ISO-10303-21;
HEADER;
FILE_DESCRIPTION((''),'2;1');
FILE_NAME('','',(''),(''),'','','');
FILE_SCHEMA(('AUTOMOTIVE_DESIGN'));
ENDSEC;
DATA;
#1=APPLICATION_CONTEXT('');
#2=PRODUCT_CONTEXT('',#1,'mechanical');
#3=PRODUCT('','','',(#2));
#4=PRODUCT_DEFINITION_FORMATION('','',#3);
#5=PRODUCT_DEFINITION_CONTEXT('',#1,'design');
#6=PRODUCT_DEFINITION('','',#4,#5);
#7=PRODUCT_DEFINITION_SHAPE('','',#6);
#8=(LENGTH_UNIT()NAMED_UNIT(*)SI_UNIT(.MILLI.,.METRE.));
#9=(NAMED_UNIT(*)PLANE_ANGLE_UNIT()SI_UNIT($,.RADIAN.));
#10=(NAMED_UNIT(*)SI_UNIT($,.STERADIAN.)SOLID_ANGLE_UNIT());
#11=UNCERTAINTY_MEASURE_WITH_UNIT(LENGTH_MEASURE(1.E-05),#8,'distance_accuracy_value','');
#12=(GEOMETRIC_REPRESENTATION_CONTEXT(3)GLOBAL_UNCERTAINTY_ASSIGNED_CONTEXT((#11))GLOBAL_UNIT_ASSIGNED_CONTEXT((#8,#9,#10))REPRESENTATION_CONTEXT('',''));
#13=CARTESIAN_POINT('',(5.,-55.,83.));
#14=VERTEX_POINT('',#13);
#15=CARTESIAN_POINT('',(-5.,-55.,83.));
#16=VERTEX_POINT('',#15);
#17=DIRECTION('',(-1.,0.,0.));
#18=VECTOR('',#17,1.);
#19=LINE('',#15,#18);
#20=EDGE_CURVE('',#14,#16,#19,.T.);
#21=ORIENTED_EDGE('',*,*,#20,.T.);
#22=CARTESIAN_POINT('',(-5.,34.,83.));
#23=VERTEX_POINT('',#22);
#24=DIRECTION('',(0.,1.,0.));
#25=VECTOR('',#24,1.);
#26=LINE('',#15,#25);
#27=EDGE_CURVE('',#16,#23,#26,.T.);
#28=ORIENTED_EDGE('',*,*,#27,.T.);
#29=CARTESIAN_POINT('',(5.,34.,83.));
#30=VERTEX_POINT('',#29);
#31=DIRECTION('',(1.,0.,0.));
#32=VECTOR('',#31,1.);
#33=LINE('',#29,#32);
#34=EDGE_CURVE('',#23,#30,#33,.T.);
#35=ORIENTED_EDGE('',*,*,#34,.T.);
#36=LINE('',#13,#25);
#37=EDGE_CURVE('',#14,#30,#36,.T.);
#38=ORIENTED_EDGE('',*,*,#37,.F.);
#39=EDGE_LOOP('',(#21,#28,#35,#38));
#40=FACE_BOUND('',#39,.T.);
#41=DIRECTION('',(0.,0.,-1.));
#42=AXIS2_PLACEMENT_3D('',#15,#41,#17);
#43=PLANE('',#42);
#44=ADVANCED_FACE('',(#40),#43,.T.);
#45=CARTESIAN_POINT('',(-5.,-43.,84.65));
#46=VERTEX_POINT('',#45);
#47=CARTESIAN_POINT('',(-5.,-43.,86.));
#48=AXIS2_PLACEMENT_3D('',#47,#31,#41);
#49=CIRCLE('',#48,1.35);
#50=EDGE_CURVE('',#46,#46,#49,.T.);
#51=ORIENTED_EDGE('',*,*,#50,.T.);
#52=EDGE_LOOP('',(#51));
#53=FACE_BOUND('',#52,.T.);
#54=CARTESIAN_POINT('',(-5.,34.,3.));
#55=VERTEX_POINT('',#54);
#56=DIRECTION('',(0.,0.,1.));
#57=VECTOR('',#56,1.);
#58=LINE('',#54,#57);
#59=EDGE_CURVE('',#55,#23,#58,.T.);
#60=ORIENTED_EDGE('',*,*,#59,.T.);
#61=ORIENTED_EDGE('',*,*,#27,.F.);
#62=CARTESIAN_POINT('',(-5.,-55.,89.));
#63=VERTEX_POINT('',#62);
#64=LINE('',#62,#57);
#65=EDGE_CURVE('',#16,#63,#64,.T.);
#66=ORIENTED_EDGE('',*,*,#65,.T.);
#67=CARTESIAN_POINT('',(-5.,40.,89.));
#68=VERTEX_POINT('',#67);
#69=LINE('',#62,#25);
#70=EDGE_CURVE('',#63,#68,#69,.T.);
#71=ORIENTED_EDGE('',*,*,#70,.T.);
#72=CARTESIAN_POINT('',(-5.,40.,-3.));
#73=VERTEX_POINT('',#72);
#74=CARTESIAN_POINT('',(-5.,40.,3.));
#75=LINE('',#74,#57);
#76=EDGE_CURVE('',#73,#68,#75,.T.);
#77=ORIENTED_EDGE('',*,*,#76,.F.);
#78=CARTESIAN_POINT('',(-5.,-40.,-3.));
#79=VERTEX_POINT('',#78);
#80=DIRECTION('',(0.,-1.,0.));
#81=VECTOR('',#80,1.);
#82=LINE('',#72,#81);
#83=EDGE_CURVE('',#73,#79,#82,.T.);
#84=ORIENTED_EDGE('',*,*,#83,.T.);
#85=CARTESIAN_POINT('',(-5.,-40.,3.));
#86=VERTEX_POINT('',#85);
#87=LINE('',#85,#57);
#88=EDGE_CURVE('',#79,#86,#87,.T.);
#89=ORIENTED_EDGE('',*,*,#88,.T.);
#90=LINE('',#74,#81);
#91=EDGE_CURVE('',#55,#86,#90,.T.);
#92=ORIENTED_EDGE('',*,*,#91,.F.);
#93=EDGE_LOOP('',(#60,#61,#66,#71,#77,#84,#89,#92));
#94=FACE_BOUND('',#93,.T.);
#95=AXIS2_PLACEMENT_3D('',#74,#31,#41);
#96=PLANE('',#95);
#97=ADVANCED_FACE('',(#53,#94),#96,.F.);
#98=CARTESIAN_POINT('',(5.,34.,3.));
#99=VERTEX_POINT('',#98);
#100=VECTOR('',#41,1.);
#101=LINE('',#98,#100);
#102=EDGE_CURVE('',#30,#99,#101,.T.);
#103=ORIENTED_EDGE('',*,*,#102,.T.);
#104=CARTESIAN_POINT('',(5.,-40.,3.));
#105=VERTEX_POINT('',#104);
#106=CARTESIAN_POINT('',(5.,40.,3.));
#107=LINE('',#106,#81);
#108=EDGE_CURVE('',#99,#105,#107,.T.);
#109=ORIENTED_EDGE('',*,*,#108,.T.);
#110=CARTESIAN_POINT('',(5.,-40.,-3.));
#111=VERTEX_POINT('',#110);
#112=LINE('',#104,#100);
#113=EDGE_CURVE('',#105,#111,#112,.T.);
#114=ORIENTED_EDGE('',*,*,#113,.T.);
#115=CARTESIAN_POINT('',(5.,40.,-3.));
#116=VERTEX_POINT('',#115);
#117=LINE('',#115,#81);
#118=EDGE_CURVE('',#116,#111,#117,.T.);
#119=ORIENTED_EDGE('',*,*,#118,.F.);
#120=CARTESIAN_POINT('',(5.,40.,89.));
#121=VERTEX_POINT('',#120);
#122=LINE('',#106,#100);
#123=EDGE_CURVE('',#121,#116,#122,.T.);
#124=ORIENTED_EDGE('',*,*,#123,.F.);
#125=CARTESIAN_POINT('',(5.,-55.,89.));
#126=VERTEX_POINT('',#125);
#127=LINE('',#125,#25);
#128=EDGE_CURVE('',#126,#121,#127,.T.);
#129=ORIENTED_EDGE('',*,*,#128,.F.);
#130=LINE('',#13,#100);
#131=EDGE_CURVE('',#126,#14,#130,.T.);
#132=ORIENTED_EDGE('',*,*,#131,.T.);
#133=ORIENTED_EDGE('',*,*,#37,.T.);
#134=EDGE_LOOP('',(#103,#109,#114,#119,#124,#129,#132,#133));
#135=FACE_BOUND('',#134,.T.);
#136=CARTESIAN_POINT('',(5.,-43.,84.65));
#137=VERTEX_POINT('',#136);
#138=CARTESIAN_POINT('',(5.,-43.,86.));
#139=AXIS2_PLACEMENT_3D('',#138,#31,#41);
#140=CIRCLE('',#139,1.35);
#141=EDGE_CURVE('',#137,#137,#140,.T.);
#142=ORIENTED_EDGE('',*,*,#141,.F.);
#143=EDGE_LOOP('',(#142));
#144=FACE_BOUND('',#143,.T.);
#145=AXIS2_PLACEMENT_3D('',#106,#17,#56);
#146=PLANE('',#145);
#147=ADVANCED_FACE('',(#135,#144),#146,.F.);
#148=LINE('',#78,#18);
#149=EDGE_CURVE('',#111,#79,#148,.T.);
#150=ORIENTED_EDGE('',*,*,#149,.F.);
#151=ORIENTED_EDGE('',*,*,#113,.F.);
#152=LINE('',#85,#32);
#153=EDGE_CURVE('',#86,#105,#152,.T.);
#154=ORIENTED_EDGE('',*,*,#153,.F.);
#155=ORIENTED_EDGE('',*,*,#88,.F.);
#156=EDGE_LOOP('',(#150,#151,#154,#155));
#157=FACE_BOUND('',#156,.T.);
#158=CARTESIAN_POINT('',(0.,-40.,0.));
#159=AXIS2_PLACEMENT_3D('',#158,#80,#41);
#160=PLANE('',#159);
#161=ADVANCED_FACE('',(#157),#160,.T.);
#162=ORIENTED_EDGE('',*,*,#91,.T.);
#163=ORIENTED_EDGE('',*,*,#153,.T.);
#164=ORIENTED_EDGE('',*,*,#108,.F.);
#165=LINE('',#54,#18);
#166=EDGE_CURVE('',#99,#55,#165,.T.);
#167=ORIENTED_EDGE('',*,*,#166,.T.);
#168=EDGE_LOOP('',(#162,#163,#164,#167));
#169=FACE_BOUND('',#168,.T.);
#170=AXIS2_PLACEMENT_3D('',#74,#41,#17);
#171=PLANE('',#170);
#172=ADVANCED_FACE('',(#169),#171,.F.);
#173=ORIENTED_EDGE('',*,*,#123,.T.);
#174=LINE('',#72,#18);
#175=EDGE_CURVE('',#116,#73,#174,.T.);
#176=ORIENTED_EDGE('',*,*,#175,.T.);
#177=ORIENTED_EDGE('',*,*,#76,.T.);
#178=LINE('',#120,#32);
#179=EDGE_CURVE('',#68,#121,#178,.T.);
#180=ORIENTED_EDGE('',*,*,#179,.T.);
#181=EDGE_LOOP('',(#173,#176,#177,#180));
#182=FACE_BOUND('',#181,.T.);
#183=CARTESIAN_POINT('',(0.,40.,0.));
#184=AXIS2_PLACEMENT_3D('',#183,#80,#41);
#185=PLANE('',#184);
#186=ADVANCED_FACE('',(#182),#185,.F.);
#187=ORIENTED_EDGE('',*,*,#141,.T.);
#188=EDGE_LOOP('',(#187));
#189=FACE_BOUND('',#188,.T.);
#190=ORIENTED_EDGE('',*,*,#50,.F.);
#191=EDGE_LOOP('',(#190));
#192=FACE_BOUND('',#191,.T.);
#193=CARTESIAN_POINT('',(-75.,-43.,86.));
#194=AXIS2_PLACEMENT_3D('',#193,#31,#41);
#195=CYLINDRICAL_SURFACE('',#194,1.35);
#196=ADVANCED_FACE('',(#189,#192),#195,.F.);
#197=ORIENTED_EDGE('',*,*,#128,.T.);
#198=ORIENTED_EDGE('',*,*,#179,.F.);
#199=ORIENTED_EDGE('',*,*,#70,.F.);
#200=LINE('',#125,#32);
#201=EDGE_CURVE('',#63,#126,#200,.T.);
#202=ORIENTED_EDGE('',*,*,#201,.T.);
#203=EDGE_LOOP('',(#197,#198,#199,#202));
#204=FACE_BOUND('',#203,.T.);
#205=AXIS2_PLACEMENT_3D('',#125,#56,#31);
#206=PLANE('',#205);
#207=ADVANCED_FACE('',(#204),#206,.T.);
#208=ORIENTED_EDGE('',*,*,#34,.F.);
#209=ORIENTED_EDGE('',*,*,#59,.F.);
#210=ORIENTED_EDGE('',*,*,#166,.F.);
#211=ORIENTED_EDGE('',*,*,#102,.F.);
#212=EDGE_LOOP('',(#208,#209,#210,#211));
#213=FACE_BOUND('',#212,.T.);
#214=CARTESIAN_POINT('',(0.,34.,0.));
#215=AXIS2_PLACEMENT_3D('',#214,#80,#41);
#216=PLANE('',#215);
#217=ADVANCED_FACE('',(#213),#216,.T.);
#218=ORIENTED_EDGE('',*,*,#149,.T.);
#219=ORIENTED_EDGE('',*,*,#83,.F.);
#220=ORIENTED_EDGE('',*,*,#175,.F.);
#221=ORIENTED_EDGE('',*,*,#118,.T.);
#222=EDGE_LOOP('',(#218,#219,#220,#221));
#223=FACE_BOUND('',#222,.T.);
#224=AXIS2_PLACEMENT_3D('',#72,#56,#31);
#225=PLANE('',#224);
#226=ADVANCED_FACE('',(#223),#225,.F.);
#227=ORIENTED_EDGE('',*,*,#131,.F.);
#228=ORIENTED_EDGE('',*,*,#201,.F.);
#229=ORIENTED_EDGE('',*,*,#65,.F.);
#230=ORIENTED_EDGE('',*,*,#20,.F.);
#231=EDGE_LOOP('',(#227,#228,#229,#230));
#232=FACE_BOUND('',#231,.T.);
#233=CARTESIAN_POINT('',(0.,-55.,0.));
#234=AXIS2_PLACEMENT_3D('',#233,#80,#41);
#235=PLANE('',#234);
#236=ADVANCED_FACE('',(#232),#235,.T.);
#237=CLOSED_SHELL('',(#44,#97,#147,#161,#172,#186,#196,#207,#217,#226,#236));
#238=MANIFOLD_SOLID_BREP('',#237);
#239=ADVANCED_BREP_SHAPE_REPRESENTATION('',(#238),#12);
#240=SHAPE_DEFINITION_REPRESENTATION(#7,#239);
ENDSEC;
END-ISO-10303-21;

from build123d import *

# Parameters (mm, degrees)
SKETCH1_W           = 10
SKETCH1_H           = 6
BOSS_EXTRUDE1_DEPTH = 40
SKETCH7_W           = 10
SKETCH7_H           = 80
BOSS_EXTRUDE3_DEPTH = 6
SKETCH8_W           = 10
SKETCH8_H           = 6
BOSS_EXTRUDE4_DEPTH = 95
SKETCH9_R           = 1.35
CUT_EXTRUDE3_DEPTH  = 80


with BuildPart() as part:
    # Sketch1 → Boss-Extrude1 (new, symmetric)
    with BuildSketch(Plane(origin=(0, 0, 0), x_dir=(1, 0, 0), z_dir=(0, 1, 0))):
        Rectangle(SKETCH1_W, SKETCH1_H)
    extrude(amount=BOSS_EXTRUDE1_DEPTH, both=True)

    # Sketch7 → Boss-Extrude3 (add)
    with BuildSketch(Plane(origin=(0, 40, 0), x_dir=(1, 0, 0), z_dir=(0, 1, 0))):
        with Locations((0, -43)):
            Rectangle(SKETCH7_W, SKETCH7_H)
    extrude(amount=-BOSS_EXTRUDE3_DEPTH)

    # Sketch8 → Boss-Extrude4 (add)
    with BuildSketch(Plane(origin=(0, 40, 0), x_dir=(1, 0, 0), z_dir=(0, 1, 0))):
        with Locations((0, -86)):
            Rectangle(SKETCH8_W, SKETCH8_H)
    extrude(amount=-BOSS_EXTRUDE4_DEPTH)

    # Sketch9 → Cut-Extrude3 (cut)
    with BuildSketch(Plane(origin=(5, 0, 0), x_dir=(0, 0, -1), z_dir=(1, 0, 0))):
        with Locations((-86, -43)):
            Circle(SKETCH9_R)
    extrude(amount=-CUT_EXTRUDE3_DEPTH, mode=Mode.SUBTRACT)


solid = part.part
